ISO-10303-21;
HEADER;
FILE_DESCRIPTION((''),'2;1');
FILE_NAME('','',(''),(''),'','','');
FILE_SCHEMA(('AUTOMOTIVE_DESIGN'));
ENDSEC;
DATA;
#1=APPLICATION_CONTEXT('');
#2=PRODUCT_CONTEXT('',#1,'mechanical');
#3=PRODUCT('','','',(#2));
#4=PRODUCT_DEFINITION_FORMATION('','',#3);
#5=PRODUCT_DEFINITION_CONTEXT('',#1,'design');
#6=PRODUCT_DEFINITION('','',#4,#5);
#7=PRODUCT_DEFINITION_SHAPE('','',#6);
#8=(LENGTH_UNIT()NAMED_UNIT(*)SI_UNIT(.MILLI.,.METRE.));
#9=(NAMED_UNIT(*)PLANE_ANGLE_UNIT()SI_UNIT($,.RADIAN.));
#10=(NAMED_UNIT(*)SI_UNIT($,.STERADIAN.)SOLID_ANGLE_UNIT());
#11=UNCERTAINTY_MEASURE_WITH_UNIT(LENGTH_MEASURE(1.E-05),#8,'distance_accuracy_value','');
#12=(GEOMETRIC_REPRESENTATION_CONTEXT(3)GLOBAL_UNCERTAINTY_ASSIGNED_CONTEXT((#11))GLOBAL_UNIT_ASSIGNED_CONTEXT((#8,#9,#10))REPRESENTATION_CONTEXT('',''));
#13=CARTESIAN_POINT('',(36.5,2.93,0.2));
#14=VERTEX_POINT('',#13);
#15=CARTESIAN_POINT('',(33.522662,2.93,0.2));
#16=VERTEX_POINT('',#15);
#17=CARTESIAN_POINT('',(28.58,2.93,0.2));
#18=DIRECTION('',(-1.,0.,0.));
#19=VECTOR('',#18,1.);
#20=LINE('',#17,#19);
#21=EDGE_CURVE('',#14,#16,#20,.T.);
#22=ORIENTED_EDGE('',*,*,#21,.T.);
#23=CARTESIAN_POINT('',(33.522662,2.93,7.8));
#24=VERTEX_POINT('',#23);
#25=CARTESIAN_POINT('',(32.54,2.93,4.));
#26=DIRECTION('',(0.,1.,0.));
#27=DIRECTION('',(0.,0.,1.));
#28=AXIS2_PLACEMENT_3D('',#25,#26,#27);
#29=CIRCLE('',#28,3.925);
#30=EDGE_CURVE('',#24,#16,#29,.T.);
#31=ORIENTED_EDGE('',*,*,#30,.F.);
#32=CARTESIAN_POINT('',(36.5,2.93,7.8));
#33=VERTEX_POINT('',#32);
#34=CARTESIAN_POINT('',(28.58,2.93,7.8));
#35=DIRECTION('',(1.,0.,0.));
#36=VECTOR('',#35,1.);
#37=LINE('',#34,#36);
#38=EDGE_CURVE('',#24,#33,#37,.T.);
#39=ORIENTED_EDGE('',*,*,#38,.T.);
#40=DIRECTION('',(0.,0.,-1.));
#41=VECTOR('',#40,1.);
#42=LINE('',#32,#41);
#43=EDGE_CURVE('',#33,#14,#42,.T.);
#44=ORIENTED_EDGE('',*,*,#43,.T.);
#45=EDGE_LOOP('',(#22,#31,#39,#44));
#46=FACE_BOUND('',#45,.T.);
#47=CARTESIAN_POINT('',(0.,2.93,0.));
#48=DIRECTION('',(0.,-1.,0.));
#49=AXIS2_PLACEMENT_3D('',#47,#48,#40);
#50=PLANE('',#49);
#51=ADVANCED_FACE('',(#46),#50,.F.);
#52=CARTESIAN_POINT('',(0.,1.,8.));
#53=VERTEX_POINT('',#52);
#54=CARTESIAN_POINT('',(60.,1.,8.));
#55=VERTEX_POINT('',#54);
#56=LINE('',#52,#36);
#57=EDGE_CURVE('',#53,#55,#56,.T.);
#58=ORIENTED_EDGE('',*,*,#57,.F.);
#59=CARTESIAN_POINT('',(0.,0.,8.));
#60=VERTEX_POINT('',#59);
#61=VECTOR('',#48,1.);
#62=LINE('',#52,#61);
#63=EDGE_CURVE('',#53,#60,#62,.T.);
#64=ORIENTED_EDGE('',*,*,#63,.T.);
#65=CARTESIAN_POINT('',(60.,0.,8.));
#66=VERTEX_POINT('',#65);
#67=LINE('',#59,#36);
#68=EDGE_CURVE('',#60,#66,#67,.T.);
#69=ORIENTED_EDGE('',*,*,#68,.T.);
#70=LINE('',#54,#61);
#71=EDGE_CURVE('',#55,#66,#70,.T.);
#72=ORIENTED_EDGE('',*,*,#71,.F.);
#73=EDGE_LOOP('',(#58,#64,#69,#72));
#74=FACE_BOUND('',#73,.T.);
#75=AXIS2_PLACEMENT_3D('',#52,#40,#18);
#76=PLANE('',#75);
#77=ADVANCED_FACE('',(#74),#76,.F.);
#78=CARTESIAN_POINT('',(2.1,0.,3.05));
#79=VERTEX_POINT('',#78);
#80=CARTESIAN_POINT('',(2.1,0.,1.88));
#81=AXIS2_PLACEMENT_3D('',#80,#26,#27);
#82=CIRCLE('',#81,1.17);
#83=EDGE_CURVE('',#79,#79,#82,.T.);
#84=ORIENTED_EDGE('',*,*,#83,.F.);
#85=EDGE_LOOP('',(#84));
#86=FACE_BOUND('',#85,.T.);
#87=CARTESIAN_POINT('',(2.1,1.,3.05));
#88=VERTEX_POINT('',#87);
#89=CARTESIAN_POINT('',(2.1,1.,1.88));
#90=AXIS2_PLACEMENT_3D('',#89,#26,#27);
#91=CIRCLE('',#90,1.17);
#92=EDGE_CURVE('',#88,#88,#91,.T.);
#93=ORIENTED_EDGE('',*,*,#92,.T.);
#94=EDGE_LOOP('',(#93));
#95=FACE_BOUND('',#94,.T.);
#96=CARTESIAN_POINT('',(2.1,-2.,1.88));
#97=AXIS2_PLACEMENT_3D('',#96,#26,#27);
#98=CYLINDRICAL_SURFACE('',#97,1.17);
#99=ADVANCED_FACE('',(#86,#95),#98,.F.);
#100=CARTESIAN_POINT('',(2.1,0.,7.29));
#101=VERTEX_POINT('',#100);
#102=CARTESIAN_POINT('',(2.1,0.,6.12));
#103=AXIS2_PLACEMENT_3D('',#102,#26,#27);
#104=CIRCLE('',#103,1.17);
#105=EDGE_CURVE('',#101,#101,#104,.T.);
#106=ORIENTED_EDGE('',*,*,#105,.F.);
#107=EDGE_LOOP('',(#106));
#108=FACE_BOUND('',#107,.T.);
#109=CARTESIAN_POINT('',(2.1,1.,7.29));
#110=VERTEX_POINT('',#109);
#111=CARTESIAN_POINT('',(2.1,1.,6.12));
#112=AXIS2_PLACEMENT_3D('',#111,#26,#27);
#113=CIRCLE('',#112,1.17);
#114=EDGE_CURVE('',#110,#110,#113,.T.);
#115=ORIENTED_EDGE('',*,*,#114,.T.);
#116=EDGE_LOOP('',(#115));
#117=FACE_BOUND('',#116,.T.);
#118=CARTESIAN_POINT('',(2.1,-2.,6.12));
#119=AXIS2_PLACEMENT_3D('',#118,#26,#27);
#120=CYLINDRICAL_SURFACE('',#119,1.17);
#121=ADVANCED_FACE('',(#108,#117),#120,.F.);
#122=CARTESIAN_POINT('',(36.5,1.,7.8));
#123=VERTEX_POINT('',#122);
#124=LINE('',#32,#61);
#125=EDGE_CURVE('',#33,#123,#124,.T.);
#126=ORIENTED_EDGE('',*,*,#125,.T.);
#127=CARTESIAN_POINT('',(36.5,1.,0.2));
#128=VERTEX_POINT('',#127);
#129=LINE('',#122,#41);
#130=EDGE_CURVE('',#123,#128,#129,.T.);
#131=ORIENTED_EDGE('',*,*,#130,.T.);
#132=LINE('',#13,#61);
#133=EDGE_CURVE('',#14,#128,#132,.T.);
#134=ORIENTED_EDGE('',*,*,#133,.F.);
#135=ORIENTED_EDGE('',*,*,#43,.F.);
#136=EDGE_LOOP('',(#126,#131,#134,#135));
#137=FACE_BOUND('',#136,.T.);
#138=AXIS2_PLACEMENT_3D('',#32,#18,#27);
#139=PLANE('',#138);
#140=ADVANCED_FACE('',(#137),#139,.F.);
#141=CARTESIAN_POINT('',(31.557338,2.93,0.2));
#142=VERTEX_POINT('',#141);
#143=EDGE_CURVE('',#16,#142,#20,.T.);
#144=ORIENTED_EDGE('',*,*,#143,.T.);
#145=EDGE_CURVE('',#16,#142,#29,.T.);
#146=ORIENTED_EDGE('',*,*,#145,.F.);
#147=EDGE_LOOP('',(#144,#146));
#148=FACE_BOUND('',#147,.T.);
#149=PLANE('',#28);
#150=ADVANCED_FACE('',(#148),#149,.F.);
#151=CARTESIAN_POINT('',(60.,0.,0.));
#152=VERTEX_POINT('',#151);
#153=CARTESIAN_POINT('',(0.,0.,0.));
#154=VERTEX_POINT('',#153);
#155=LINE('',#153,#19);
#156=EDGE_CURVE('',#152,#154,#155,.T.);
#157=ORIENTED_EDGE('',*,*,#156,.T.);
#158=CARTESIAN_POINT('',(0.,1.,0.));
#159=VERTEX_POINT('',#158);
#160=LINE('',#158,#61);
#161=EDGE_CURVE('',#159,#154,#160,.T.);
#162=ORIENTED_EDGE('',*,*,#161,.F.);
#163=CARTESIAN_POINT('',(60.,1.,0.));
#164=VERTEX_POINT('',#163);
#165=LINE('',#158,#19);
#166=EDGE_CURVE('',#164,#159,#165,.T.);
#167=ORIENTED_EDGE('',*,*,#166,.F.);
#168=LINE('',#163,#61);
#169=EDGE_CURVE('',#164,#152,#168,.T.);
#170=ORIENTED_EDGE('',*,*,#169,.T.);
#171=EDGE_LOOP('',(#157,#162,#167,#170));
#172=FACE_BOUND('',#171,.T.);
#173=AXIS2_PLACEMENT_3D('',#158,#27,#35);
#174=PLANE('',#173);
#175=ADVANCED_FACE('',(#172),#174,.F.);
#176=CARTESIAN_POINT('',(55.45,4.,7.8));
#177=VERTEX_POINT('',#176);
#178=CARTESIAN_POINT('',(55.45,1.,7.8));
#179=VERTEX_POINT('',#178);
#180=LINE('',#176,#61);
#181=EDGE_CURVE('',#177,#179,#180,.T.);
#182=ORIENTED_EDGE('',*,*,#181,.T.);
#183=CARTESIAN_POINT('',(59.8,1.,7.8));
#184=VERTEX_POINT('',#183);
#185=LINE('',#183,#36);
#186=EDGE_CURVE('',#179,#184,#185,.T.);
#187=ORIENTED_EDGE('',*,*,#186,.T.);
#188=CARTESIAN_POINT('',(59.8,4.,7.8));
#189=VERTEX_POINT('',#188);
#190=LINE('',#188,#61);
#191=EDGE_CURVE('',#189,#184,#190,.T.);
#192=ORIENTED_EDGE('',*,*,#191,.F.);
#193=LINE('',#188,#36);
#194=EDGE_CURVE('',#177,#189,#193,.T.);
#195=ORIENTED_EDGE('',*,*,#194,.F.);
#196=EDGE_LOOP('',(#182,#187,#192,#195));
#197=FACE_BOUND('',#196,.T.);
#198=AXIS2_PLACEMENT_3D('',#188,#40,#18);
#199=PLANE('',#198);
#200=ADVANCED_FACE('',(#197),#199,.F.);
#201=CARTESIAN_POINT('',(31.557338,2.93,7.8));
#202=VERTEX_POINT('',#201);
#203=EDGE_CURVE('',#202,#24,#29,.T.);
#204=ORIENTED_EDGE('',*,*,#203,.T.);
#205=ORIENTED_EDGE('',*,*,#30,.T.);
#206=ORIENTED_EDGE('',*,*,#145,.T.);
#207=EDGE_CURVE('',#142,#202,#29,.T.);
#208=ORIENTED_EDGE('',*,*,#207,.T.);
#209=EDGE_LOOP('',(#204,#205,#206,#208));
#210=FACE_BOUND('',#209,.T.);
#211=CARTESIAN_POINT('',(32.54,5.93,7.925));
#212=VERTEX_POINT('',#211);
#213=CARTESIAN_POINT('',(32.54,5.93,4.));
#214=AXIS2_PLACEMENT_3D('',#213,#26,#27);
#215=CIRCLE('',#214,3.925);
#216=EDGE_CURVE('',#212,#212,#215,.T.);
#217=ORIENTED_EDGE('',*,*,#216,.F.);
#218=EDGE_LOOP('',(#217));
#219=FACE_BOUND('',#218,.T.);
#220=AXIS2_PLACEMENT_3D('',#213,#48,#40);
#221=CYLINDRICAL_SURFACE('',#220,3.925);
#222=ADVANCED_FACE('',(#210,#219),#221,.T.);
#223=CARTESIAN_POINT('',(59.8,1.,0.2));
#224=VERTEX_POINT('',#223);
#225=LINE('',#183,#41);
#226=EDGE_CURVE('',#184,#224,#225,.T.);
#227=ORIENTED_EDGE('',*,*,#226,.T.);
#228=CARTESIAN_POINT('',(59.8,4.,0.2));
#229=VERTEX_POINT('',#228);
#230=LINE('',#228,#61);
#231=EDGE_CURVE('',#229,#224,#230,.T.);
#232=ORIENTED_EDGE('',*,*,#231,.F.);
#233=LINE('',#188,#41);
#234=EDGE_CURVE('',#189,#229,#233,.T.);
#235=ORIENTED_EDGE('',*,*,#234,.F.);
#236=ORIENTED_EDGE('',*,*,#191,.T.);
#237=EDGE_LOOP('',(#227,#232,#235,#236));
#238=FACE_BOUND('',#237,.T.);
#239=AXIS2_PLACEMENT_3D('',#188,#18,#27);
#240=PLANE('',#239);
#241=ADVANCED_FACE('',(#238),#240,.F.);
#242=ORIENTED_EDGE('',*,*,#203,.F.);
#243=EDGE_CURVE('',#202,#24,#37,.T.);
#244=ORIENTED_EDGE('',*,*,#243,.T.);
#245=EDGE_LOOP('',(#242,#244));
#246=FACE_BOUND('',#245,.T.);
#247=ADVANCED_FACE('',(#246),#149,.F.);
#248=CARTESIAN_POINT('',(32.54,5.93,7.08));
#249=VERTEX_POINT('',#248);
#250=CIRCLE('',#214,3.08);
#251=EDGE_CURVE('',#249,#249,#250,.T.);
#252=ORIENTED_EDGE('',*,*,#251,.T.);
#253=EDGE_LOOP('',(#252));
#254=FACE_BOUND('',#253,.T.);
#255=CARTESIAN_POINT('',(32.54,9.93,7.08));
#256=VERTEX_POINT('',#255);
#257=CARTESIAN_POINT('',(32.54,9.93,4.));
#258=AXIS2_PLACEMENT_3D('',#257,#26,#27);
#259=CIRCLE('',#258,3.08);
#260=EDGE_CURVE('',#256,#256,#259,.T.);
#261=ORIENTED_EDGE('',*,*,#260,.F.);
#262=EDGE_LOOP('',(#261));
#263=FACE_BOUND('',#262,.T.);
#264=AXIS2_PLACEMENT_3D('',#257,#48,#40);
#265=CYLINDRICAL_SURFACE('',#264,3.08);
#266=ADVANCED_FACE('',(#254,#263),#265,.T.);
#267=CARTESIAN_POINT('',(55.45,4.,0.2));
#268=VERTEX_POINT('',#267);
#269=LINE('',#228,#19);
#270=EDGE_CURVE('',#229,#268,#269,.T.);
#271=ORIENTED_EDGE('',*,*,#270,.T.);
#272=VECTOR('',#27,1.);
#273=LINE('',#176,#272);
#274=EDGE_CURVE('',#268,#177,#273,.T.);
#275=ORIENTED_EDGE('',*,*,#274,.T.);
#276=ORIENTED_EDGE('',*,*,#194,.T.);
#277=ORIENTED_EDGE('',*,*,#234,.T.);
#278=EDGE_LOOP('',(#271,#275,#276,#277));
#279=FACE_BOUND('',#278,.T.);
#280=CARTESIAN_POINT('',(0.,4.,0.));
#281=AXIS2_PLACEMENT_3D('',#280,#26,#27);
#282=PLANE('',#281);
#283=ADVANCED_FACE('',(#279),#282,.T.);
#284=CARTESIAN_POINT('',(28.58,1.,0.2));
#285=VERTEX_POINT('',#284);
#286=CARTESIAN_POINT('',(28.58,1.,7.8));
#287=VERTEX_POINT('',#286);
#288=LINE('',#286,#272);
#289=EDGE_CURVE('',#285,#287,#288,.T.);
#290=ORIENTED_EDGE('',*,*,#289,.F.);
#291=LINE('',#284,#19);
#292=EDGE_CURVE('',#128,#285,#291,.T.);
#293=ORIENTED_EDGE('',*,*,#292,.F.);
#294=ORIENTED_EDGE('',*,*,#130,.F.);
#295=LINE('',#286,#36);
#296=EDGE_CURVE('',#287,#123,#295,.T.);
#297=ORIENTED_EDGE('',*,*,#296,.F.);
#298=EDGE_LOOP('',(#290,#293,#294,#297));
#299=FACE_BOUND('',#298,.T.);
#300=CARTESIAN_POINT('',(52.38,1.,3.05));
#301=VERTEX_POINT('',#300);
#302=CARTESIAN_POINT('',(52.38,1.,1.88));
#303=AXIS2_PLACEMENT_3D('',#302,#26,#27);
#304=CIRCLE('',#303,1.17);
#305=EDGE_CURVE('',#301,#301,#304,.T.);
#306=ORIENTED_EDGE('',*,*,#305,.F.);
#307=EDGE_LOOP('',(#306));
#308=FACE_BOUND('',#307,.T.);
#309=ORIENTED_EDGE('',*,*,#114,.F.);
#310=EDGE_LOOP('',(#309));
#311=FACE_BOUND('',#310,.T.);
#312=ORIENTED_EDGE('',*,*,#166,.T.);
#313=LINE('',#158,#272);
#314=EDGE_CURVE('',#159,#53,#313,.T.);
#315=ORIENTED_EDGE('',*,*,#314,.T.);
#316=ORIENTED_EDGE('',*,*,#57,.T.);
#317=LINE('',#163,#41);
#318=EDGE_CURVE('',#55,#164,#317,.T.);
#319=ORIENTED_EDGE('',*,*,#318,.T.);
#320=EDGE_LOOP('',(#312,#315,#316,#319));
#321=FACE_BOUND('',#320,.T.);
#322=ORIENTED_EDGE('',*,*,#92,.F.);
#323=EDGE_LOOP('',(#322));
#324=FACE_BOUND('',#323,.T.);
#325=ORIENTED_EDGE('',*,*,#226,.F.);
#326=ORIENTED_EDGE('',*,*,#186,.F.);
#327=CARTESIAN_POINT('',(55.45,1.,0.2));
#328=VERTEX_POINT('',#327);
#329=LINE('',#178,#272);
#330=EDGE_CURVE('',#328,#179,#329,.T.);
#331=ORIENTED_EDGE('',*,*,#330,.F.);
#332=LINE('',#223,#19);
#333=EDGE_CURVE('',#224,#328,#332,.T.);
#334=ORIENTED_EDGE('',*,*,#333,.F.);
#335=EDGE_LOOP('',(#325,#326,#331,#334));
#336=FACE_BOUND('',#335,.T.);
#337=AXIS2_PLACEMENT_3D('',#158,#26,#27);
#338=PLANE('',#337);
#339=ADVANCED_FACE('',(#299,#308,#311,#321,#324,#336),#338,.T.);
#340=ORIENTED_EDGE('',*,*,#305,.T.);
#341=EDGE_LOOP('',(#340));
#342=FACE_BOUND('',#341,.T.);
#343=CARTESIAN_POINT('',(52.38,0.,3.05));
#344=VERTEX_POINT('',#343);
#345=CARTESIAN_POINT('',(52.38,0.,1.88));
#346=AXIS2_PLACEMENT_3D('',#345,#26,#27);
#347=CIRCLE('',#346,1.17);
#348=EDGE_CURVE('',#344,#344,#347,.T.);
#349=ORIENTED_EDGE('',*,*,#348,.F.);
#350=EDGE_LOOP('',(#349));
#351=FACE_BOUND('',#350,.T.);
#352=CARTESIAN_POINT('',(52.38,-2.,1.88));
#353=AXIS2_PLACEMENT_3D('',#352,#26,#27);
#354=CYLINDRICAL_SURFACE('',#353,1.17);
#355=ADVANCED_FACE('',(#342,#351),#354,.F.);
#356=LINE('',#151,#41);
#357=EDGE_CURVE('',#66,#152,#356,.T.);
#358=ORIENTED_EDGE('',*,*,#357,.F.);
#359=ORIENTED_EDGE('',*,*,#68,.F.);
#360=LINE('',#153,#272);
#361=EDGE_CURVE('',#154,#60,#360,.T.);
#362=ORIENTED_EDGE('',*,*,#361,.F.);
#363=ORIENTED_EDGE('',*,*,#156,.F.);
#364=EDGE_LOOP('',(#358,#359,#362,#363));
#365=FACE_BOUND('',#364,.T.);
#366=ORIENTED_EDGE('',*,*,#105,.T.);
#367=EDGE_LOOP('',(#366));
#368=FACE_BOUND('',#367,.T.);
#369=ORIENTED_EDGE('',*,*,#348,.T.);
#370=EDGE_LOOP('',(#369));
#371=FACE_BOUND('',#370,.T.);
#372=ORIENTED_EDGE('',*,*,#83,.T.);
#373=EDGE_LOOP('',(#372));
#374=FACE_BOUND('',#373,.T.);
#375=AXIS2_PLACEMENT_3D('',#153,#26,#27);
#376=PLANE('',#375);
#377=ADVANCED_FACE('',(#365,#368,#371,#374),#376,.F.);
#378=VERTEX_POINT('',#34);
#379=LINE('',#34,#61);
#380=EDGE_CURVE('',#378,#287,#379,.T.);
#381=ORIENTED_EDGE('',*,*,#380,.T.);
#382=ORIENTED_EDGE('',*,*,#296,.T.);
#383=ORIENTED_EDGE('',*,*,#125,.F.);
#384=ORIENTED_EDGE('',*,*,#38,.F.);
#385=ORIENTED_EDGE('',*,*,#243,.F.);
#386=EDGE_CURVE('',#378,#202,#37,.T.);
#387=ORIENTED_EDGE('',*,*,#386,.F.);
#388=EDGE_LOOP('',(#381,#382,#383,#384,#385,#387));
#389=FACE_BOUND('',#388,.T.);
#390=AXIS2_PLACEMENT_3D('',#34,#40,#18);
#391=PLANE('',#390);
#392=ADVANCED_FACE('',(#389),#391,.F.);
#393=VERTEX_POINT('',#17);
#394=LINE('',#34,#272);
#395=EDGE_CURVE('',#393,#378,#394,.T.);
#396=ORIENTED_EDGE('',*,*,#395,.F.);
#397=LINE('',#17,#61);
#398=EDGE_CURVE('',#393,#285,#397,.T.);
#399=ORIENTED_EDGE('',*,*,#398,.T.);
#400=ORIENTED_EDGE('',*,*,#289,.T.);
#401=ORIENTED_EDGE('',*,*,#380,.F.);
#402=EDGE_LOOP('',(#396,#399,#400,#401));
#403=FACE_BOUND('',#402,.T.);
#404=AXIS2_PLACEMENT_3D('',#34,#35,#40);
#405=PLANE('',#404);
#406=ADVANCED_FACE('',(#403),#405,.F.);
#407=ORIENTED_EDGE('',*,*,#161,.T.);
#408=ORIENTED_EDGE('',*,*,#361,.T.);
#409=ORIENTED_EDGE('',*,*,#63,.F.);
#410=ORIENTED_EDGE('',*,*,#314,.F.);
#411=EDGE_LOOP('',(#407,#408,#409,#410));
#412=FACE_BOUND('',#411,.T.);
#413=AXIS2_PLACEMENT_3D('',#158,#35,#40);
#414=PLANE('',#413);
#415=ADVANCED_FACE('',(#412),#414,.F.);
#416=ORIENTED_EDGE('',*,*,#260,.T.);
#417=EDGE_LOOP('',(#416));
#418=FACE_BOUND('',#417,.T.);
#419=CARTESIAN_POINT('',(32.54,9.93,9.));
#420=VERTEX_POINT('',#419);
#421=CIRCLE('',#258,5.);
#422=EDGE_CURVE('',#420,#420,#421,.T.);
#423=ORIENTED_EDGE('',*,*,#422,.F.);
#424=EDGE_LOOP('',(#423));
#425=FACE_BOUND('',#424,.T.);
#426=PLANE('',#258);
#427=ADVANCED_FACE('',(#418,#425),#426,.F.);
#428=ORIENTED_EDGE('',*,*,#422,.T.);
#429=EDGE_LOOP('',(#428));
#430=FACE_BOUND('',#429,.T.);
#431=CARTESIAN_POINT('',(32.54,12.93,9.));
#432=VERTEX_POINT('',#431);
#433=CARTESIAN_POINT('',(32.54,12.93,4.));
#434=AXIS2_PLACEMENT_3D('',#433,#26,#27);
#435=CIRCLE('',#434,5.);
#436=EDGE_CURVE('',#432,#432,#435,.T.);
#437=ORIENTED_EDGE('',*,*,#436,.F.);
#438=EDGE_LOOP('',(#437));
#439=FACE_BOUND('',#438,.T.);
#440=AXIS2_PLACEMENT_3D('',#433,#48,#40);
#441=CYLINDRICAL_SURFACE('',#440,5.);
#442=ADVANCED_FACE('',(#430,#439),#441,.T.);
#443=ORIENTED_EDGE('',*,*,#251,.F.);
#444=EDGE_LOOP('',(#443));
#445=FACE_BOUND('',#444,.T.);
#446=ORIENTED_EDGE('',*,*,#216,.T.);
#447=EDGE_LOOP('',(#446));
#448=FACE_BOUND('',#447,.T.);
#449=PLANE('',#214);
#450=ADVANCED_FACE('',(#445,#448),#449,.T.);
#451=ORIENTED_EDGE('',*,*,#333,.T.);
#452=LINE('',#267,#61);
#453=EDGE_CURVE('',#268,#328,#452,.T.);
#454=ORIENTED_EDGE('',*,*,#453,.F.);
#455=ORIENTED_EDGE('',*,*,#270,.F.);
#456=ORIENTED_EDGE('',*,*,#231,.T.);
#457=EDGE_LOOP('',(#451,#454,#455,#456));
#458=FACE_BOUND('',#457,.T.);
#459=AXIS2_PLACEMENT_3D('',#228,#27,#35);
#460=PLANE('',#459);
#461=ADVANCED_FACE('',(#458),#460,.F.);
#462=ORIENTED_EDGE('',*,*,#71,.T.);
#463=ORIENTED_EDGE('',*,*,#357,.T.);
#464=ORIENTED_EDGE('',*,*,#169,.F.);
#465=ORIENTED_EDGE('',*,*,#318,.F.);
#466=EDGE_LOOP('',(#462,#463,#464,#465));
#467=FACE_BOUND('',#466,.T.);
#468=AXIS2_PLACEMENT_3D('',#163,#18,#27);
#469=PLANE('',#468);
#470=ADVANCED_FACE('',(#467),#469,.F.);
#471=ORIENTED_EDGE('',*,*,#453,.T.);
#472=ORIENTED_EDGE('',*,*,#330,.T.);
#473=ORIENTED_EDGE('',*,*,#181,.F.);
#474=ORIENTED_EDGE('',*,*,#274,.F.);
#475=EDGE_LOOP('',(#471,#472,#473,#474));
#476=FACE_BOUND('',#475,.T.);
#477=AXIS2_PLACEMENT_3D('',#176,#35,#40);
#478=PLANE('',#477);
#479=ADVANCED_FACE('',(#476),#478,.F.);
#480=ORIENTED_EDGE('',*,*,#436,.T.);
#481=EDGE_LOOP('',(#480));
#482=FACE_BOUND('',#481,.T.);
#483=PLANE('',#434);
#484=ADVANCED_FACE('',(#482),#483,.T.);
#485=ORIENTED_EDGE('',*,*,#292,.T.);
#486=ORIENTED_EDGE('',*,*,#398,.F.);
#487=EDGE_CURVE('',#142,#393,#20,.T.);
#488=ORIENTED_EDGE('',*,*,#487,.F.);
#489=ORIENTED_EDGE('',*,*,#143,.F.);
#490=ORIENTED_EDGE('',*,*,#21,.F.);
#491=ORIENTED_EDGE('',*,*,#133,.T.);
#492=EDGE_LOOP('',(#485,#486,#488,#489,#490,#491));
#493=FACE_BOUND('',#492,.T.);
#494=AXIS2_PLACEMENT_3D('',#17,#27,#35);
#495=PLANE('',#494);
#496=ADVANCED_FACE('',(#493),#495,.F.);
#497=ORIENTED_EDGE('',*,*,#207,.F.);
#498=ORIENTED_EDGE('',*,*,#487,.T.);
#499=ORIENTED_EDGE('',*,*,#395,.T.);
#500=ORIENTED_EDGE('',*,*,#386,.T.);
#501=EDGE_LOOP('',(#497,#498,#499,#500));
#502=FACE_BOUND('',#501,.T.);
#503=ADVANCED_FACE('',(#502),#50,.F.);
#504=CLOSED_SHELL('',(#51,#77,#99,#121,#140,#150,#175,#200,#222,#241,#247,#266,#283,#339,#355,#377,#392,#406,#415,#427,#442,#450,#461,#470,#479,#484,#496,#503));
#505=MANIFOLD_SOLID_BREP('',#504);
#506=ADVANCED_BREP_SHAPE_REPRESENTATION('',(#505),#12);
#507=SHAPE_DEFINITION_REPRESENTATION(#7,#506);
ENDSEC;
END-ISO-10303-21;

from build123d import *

# Parameters (mm, degrees)
SKETCH1_W           = 60
SKETCH1_H           = 8
BOSS_EXTRUDE1_DEPTH = 1
SKETCH2_W           = 4.35
SKETCH2_H           = 7.6
BOSS_EXTRUDE2_DEPTH = 3
SKETCH3_R           = 1.17
CUT_EXTRUDE1_DEPTH  = 3
SKETCH4_W           = 7.92
SKETCH4_H           = 7.6
BOSS_EXTRUDE3_DEPTH = 1.93
SKETCH5_R           = 3.925
BOSS_EXTRUDE4_DEPTH = 3
SKETCH6_R           = 3.08
BOSS_EXTRUDE5_DEPTH = 4
SKETCH7_R           = 5
BOSS_EXTRUDE6_DEPTH = 3


with BuildPart() as part:
    # Sketch1 → Boss-Extrude1 (new body)
    with BuildSketch(Plane(origin=(0, 0, 0), x_dir=(1, 0, 0), z_dir=(0, 1, 0))):
        with Locations((30, -4)):
            Rectangle(SKETCH1_W, SKETCH1_H)
    extrude(amount=BOSS_EXTRUDE1_DEPTH)

    # Sketch2 → Boss-Extrude2 (add)
    with BuildSketch(Plane(origin=(0, 1, 0), x_dir=(1, 0, 0), z_dir=(0, 1, 0))):
        with Locations((57.625, -4)):
            Rectangle(SKETCH2_W, SKETCH2_H)
    extrude(amount=BOSS_EXTRUDE2_DEPTH)

    # Sketch3 → Cut-Extrude1 (cut)
    with BuildSketch(Plane(origin=(0, 1, 0), x_dir=(1, 0, 0), z_dir=(0, 1, 0))):
        with Locations(Location((52.38, -1.88, 0), (0, 0, 270))):
            Circle(SKETCH3_R)
        with Locations(Location((2.1, -6.12, 0), (0, 0, 270))):
            Circle(SKETCH3_R)
        with Locations(Location((2.1, -1.88, 0), (0, 0, 270))):
            Circle(SKETCH3_R)
    extrude(amount=-CUT_EXTRUDE1_DEPTH, mode=Mode.SUBTRACT)

    # Sketch4 → Boss-Extrude3 (add)
    with BuildSketch(Plane(origin=(0, 1, 0), x_dir=(1, 0, 0), z_dir=(0, 1, 0))):
        with Locations((32.54, -4)):
            Rectangle(SKETCH4_W, SKETCH4_H)
    extrude(amount=BOSS_EXTRUDE3_DEPTH)

    # Sketch5 → Boss-Extrude4 (add)
    with BuildSketch(Plane(origin=(0, 2.93, 0), x_dir=(1, 0, 0), z_dir=(0, 1, 0))):
        with Locations(Location((32.54, -4, 0), (0, 0, 75.50119591))):
            Circle(SKETCH5_R)
    extrude(amount=BOSS_EXTRUDE4_DEPTH)

    # Sketch6 → Boss-Extrude5 (add)
    with BuildSketch(Plane(origin=(0, 5.93, 0), x_dir=(1, 0, 0), z_dir=(0, 1, 0))):
        with Locations(Location((32.54, -4, 0), (0, 0, 270))):
            Circle(SKETCH6_R)
    extrude(amount=BOSS_EXTRUDE5_DEPTH)

    # Sketch7 → Boss-Extrude6 (add)
    with BuildSketch(Plane(origin=(0, 9.93, 0), x_dir=(1, 0, 0), z_dir=(0, 1, 0))):
        with Locations(Location((32.54, -4, 0), (0, 0, 270))):
            Circle(SKETCH7_R)
    extrude(amount=BOSS_EXTRUDE6_DEPTH)


solid = part.part
